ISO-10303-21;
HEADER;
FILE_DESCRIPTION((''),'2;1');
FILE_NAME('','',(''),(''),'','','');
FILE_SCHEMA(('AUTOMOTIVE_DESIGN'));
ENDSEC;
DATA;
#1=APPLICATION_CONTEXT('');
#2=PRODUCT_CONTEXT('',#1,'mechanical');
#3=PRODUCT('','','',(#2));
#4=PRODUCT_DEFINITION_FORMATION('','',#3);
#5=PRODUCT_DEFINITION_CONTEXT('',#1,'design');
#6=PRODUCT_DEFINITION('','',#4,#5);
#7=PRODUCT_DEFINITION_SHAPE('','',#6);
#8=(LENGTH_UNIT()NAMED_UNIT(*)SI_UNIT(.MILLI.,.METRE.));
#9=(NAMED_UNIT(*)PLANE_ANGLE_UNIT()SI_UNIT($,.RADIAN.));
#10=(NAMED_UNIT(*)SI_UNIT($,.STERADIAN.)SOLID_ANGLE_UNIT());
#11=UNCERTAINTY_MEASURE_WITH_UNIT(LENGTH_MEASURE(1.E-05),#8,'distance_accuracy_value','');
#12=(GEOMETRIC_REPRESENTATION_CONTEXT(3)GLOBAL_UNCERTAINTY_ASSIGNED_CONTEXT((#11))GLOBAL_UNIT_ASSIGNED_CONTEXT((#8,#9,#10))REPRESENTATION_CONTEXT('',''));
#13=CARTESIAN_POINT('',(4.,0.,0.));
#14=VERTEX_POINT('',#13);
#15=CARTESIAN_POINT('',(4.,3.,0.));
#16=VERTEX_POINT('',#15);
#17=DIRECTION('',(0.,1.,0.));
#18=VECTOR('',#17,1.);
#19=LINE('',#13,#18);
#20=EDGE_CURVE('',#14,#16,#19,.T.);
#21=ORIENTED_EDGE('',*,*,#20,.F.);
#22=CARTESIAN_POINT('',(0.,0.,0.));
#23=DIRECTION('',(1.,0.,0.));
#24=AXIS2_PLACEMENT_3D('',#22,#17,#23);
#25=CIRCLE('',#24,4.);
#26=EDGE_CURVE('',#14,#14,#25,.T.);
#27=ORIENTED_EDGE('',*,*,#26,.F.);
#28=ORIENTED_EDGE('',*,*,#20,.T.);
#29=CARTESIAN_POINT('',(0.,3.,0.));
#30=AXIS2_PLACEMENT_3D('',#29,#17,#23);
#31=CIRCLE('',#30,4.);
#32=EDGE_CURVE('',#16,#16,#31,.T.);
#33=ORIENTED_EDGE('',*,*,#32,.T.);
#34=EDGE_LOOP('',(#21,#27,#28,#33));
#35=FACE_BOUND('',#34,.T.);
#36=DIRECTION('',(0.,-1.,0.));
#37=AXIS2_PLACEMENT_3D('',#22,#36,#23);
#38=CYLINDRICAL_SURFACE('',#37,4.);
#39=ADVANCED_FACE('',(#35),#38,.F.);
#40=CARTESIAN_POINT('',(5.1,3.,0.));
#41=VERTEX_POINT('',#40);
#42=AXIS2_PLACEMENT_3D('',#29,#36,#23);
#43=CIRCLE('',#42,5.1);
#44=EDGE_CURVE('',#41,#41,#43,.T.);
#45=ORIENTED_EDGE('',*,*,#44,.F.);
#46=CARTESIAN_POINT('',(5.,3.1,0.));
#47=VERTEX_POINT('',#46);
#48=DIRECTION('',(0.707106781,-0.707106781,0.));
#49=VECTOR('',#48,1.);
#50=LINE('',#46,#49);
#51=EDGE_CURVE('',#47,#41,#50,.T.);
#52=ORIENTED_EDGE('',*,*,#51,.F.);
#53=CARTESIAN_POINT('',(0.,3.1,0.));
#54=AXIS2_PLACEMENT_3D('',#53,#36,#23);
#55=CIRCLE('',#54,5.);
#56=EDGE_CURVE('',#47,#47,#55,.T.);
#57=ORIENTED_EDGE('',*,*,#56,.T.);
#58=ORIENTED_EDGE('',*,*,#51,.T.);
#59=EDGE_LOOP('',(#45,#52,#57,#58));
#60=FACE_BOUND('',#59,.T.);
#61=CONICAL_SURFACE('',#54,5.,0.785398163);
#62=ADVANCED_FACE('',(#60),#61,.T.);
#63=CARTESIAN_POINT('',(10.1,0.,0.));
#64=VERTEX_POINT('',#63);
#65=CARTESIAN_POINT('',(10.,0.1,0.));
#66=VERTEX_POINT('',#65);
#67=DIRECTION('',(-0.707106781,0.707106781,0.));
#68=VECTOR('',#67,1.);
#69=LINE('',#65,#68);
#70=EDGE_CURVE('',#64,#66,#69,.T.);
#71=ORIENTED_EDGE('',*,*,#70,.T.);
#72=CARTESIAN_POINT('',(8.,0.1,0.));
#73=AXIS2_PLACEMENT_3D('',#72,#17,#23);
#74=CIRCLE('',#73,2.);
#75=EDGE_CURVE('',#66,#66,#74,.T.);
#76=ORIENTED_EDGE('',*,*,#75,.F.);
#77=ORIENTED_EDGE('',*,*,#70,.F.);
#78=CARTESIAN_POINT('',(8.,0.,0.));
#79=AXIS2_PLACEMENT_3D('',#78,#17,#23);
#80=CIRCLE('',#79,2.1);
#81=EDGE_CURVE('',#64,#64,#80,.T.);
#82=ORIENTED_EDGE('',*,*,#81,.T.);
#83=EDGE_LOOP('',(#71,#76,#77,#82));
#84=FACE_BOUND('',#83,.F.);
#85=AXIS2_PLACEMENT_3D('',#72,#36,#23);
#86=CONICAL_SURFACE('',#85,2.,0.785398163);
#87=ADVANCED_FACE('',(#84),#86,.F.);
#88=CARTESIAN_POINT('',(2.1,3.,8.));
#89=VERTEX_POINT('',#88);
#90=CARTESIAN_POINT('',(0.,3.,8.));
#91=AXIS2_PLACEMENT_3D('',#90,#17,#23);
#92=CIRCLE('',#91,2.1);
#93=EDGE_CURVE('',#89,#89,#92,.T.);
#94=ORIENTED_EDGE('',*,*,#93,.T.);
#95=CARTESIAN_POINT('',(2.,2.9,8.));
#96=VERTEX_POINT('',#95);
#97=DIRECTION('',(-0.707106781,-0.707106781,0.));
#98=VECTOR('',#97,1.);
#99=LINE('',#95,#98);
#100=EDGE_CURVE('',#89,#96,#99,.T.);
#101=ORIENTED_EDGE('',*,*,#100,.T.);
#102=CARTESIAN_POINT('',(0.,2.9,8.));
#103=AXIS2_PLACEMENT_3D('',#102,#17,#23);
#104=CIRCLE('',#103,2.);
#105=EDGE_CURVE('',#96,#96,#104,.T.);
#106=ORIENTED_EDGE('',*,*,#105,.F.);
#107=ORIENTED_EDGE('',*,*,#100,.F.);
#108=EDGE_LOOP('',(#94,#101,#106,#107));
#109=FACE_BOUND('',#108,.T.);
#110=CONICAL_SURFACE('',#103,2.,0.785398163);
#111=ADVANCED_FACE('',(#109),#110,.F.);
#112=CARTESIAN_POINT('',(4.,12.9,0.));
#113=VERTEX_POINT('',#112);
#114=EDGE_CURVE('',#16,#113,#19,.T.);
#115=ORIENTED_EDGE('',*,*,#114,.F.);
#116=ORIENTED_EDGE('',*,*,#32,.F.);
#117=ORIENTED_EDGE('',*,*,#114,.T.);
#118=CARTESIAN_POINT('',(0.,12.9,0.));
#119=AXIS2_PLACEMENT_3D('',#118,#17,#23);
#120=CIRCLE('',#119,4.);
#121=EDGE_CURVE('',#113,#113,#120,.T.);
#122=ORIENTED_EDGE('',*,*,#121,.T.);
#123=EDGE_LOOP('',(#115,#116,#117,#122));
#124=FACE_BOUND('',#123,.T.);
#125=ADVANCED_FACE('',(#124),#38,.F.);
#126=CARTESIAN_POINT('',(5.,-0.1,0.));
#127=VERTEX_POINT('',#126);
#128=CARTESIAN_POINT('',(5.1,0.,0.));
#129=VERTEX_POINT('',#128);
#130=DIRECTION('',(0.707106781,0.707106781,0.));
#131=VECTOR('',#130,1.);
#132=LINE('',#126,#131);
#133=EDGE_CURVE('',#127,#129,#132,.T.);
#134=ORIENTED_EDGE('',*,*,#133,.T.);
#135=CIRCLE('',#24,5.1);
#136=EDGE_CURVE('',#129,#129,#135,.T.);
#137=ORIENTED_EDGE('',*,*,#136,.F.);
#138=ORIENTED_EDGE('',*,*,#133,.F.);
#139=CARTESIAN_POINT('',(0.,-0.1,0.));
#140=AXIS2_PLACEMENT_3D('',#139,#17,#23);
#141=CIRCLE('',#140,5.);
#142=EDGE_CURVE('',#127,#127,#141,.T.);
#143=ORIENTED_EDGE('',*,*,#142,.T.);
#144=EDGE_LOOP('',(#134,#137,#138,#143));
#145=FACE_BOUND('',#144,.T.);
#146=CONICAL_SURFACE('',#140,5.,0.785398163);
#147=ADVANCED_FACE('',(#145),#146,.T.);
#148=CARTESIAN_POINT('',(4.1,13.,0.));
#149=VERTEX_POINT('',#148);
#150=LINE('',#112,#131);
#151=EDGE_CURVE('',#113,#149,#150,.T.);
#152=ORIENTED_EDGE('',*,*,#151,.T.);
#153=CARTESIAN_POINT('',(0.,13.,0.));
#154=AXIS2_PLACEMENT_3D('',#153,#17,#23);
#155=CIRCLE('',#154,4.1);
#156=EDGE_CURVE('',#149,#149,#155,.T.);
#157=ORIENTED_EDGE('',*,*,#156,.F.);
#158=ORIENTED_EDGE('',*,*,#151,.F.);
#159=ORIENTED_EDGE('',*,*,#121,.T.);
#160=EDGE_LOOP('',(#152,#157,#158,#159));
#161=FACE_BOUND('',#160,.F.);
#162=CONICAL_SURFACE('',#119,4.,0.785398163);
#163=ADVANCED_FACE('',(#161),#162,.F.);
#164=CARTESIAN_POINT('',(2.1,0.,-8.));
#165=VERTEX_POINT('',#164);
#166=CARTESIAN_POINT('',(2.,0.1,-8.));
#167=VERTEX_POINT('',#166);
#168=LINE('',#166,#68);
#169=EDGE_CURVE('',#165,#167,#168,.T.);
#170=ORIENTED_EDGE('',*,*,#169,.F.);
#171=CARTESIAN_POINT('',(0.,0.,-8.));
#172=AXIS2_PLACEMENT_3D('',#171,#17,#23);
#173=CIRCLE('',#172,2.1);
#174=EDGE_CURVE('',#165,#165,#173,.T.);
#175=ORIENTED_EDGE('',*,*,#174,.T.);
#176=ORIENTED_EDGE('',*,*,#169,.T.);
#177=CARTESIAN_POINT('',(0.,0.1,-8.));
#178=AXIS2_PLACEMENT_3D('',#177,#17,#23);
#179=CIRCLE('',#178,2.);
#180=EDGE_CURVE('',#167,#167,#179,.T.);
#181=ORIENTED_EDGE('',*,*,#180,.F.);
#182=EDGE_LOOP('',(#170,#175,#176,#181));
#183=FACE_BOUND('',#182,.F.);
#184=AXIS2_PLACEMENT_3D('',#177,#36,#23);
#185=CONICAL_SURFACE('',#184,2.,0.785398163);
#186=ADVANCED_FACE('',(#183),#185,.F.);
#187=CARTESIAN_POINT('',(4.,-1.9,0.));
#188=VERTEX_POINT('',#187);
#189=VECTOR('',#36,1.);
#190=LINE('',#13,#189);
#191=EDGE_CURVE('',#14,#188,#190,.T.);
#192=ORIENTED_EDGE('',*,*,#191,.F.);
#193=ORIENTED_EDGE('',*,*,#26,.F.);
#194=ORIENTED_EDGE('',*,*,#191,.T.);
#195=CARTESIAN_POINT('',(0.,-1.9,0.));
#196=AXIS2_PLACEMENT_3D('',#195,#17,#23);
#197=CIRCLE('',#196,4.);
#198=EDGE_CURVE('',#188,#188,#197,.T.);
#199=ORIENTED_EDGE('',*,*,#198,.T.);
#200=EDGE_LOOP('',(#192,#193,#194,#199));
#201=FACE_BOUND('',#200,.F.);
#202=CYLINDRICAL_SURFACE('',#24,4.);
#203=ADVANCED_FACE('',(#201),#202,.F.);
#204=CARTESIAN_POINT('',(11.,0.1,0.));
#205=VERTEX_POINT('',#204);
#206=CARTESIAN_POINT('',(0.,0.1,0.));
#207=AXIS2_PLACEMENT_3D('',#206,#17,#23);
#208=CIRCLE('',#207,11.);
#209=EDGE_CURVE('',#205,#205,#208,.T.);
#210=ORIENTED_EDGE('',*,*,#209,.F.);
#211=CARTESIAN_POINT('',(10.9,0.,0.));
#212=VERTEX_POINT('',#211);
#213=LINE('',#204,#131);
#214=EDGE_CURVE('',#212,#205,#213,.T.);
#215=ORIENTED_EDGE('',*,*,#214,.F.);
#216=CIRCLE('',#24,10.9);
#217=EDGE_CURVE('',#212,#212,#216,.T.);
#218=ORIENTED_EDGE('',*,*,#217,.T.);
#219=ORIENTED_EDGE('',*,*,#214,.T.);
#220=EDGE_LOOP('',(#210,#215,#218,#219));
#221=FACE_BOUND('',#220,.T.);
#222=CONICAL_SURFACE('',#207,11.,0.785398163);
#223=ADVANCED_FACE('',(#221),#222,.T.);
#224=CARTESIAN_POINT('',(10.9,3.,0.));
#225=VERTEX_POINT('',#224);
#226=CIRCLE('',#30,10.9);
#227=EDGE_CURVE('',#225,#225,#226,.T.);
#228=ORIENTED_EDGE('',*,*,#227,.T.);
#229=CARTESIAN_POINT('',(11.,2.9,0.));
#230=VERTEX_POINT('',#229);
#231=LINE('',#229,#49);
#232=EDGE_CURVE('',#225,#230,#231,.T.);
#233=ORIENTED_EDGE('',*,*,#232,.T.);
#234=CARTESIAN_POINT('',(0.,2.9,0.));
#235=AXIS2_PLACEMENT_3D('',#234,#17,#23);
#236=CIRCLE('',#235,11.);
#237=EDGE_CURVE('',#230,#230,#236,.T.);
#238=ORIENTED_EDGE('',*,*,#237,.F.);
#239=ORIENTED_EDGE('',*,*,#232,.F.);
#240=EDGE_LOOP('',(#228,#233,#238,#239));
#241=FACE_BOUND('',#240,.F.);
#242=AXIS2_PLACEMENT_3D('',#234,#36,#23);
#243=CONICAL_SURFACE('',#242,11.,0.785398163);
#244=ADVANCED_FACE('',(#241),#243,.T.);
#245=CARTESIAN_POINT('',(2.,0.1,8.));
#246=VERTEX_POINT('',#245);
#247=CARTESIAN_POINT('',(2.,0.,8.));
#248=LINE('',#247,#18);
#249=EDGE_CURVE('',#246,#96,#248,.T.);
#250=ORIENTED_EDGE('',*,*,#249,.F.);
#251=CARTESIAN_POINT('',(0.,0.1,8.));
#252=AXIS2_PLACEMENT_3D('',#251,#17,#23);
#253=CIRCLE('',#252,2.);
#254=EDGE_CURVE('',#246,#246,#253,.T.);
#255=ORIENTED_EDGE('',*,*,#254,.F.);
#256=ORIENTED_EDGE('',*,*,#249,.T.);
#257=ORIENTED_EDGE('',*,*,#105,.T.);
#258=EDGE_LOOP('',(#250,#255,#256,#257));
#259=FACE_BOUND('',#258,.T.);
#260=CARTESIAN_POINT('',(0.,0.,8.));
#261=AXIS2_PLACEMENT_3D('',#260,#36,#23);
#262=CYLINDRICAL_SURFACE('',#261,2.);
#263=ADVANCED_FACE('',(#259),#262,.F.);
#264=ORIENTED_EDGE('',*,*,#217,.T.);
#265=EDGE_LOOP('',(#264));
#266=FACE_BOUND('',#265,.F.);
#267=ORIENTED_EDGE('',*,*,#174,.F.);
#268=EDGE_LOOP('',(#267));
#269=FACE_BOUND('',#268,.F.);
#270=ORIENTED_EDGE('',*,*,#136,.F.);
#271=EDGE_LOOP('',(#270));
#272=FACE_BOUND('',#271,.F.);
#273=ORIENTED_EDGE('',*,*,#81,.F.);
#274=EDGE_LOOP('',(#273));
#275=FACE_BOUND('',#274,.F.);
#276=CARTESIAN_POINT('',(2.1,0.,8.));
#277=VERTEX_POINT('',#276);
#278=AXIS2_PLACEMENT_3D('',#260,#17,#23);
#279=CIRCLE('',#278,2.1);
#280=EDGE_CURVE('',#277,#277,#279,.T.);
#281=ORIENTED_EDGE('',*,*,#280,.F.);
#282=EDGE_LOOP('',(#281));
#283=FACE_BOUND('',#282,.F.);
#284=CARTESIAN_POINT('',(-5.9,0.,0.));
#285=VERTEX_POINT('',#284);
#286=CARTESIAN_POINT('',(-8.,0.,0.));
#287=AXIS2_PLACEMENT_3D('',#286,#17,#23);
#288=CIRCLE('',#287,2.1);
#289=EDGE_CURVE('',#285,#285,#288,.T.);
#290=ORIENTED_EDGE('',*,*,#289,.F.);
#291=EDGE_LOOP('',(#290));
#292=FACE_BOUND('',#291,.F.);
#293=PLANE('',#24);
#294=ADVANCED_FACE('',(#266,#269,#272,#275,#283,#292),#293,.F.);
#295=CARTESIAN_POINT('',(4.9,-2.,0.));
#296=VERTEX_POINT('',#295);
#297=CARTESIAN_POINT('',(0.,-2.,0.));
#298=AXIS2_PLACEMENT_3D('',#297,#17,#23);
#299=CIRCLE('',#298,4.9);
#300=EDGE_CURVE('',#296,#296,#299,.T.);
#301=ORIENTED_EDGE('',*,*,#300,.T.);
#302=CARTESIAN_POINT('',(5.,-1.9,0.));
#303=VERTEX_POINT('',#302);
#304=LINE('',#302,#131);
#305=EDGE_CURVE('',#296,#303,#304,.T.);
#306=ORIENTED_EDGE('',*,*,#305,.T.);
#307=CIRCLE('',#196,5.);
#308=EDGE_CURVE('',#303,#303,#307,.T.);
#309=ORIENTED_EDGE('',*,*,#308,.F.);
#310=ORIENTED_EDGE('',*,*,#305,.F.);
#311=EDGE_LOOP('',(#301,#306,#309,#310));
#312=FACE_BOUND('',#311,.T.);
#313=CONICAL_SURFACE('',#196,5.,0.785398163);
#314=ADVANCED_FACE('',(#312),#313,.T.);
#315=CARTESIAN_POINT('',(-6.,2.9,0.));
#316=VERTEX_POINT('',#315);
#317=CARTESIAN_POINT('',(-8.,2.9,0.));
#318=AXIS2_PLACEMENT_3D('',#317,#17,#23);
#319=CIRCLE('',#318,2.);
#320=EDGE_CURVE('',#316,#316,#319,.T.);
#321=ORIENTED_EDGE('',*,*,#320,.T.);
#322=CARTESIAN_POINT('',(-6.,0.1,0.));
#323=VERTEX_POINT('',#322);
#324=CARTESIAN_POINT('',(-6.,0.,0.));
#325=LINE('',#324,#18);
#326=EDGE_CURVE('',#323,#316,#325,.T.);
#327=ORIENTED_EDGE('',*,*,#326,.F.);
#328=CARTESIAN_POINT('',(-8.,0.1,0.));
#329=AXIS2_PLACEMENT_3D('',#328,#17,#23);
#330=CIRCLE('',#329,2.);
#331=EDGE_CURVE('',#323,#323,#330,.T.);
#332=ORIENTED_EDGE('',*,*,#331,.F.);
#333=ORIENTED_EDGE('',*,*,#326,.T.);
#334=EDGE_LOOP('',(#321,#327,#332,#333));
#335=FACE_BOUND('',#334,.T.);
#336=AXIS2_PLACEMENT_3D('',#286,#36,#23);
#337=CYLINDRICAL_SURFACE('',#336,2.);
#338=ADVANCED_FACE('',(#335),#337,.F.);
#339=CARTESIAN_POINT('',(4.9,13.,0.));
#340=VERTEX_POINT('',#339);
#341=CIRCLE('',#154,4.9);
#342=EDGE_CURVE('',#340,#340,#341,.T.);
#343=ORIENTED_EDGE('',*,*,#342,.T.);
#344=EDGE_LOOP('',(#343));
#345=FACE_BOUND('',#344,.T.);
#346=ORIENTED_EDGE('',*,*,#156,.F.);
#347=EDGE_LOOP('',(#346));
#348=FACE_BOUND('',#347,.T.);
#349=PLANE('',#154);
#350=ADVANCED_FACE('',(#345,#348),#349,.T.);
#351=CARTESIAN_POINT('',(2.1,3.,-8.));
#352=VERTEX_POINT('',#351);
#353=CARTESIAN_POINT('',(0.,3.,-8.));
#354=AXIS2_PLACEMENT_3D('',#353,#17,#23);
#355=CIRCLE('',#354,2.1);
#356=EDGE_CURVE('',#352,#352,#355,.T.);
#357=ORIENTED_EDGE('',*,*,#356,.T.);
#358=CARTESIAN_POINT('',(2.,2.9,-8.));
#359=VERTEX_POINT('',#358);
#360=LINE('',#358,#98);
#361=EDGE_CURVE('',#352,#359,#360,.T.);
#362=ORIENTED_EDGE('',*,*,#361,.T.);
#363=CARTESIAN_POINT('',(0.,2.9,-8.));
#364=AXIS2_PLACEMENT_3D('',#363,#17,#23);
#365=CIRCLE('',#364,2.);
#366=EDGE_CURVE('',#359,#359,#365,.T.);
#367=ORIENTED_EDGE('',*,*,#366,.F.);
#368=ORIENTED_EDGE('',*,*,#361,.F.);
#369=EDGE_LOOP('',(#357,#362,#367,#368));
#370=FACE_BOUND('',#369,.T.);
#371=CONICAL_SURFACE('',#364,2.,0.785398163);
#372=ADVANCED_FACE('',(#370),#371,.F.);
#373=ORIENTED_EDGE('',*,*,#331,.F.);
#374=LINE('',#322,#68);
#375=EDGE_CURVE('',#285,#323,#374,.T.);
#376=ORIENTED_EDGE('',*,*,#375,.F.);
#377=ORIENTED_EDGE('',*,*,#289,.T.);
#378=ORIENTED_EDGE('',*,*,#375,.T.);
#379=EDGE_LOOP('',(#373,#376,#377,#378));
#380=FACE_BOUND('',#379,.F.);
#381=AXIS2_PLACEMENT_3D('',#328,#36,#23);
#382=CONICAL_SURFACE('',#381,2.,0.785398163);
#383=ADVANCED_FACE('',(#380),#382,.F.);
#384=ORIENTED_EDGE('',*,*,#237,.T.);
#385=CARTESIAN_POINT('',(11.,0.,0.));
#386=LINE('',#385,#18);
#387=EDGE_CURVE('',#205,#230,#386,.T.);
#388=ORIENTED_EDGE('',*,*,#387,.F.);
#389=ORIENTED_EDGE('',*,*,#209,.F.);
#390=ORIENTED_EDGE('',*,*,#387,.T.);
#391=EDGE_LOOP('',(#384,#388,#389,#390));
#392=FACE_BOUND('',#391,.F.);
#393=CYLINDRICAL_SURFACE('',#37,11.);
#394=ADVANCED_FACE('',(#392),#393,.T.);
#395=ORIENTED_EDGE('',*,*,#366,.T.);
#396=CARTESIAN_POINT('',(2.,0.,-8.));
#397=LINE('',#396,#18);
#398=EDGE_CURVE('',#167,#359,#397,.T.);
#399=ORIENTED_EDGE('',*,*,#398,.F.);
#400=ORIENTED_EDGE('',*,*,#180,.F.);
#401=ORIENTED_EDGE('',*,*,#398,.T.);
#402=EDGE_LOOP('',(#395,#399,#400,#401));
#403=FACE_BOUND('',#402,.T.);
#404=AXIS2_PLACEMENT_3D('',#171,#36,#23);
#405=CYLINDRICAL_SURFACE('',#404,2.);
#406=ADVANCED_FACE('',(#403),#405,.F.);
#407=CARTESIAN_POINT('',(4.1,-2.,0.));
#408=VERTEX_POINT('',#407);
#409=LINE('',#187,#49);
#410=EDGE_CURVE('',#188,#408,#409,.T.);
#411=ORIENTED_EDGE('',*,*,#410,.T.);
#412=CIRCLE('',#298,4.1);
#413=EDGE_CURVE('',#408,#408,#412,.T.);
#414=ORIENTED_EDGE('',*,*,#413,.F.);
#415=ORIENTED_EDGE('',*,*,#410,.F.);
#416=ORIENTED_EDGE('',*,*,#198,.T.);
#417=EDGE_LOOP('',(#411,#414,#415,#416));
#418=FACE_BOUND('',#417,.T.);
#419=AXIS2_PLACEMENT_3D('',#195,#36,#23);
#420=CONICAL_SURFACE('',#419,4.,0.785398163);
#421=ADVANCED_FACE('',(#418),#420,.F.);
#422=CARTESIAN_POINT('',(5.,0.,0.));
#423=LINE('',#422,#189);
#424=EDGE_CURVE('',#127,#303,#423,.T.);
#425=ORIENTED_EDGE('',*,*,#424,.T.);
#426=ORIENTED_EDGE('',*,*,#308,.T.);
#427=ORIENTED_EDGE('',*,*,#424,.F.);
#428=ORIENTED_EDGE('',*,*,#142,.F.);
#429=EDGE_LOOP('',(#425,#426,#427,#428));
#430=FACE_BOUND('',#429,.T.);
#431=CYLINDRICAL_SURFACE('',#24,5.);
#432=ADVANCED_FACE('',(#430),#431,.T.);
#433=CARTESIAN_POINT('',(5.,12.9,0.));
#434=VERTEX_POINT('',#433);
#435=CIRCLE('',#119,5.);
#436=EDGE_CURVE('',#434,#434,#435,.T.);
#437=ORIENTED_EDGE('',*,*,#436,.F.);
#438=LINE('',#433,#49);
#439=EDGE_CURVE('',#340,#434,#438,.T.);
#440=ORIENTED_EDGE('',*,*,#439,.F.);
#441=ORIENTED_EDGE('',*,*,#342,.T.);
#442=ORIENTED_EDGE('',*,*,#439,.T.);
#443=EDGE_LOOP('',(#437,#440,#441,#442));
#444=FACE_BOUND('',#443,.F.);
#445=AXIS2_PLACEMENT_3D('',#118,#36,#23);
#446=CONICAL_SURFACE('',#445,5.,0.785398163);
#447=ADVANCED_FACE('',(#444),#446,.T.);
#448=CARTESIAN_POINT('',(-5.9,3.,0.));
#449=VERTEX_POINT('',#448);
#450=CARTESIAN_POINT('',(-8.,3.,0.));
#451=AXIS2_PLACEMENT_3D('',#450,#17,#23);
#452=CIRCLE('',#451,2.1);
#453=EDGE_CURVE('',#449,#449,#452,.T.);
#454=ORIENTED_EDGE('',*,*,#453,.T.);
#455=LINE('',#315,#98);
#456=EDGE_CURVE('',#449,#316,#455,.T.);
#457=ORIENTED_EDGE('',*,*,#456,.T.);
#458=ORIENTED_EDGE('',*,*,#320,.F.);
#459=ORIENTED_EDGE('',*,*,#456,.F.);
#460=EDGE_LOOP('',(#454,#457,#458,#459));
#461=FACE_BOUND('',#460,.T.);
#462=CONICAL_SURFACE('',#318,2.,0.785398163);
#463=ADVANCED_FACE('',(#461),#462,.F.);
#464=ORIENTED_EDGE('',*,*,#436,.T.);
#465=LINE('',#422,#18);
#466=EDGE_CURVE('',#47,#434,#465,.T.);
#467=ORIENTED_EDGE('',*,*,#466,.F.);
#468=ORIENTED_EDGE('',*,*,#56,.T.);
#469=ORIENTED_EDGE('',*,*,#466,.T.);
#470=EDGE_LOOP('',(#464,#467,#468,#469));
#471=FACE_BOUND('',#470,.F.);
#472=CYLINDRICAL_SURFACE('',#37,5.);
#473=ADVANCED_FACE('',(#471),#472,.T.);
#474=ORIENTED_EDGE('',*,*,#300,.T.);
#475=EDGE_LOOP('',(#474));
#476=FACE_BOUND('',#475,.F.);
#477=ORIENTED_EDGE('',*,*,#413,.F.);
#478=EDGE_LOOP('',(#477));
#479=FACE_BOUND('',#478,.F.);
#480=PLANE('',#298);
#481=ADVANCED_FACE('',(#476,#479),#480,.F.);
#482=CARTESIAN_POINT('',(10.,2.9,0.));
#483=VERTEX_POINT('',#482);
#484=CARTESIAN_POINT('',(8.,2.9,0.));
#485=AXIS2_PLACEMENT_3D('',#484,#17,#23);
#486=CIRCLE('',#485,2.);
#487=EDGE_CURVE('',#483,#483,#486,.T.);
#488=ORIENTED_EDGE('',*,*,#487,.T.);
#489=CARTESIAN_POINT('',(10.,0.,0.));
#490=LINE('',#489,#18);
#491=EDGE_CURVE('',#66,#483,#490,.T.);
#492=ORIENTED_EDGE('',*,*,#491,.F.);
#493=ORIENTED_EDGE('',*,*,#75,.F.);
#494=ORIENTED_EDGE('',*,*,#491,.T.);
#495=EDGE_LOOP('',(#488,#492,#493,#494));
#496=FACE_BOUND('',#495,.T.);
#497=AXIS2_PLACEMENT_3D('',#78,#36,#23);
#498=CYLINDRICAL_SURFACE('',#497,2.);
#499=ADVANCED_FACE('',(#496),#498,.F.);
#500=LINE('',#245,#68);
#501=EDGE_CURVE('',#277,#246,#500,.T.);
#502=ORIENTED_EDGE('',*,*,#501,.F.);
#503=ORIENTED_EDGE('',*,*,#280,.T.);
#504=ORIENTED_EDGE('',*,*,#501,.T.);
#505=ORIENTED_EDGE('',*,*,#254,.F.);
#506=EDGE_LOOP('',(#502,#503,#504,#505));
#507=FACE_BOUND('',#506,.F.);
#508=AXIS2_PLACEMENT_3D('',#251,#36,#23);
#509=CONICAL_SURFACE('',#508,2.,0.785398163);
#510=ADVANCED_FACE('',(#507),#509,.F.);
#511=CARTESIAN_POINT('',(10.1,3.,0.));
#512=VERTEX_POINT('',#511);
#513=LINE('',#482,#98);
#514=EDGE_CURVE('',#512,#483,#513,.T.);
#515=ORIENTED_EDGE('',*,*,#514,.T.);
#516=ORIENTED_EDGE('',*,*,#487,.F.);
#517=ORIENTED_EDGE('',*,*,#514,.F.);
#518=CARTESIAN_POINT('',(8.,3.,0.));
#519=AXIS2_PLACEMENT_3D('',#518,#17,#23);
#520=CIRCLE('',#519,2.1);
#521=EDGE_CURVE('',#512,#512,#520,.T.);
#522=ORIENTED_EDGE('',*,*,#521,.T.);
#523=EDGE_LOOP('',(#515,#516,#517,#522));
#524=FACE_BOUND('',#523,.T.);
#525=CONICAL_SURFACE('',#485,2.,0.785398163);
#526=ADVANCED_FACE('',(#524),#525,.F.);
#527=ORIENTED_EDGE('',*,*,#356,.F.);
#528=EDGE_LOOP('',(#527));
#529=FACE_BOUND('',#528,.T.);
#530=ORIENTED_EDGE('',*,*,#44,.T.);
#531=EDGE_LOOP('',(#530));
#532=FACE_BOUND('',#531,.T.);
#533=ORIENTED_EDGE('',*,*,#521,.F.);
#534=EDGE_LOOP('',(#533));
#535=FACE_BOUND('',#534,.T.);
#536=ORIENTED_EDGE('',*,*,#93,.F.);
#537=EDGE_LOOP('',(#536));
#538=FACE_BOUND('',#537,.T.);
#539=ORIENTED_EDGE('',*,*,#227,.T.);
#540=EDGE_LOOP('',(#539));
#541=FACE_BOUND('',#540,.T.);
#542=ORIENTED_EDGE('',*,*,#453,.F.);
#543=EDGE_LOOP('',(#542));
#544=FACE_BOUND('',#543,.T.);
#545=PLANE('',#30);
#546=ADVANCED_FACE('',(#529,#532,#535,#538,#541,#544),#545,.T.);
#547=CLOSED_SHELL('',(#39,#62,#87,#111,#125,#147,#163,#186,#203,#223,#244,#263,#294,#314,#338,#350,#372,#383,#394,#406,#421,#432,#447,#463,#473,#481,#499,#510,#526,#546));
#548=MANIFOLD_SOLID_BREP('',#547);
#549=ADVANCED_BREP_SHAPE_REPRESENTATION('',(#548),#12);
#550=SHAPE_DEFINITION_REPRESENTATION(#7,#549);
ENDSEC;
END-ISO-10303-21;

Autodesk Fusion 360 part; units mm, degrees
sketch "Sketch1" plane through (0, 0, 0) normal (0, 1, 0) x (1, 0, 0)
  circle A0 centre (0, 0) radius 5
  circle A1 centre (0, 0) radius 11
  circle A2 centre (0, 0) radius 4
  circle A3 centre (8, 0) radius 2
  circle A4 centre (0, 8) radius 2
  circle A5 centre (-8, 0) radius 2
  circle A6 centre (0, -8) radius 2
  dimension "d1" = 10
  dimension "d8" = 22
  dimension "d11" = 8
  dimension "d15" = 4
  dimension "d17" = 4
  dimension "d18" = 4
  dimension "d19" = 4
sketch "Sketch2" plane through (0, 0, 0) normal (0, 1, 0) x (1, 0, 0)
  line L0 (-25, 25) -> (25, 25)
  line L1 (25, 25) -> (25, -25)
  line L2 (25, -25) -> (-25, -25)
  line L3 (-25, -25) -> (-25, 25)
extrude "Extrude1" add sketch "Sketch1" along normal blind 3 contours A0 | A1 in component "Component"
extrude "Extrude2" add sketch "Sketch1" along normal blind 13 and the other way blind 2 contours A0 in component "Component"
chamfer "Chamfer1" distance 0.1 angle 45 16 edges at (-9.8647, 3, -0.7232) (-3.7293, 13, -1.4465) (-4.6616, 3, -1.8081) (6.1353, 3, -0.7232) (-1.8647, 3, -8.7232) (-1.8647, 3, 7.2768) (-4.6616, -2, -1.8081) (-10.2556, 0, 3.9778) (-4.6616, 13, 1.8081) (6.1353, 0, -0.7232) (-9.8647, 0, -0.7232) (-10.2556, 3, 3.9778) (-1.8647, 0, 7.2768) (-3.7293, -2, 1.4465) (-4.6616, 0, 1.8081) (-1.8647, 0, -8.7232) in component "Component"
component "Component" placed x (1, 0, 0) y (0, 1, 0) z (0, 0, 1) at (0, 0, 0)
